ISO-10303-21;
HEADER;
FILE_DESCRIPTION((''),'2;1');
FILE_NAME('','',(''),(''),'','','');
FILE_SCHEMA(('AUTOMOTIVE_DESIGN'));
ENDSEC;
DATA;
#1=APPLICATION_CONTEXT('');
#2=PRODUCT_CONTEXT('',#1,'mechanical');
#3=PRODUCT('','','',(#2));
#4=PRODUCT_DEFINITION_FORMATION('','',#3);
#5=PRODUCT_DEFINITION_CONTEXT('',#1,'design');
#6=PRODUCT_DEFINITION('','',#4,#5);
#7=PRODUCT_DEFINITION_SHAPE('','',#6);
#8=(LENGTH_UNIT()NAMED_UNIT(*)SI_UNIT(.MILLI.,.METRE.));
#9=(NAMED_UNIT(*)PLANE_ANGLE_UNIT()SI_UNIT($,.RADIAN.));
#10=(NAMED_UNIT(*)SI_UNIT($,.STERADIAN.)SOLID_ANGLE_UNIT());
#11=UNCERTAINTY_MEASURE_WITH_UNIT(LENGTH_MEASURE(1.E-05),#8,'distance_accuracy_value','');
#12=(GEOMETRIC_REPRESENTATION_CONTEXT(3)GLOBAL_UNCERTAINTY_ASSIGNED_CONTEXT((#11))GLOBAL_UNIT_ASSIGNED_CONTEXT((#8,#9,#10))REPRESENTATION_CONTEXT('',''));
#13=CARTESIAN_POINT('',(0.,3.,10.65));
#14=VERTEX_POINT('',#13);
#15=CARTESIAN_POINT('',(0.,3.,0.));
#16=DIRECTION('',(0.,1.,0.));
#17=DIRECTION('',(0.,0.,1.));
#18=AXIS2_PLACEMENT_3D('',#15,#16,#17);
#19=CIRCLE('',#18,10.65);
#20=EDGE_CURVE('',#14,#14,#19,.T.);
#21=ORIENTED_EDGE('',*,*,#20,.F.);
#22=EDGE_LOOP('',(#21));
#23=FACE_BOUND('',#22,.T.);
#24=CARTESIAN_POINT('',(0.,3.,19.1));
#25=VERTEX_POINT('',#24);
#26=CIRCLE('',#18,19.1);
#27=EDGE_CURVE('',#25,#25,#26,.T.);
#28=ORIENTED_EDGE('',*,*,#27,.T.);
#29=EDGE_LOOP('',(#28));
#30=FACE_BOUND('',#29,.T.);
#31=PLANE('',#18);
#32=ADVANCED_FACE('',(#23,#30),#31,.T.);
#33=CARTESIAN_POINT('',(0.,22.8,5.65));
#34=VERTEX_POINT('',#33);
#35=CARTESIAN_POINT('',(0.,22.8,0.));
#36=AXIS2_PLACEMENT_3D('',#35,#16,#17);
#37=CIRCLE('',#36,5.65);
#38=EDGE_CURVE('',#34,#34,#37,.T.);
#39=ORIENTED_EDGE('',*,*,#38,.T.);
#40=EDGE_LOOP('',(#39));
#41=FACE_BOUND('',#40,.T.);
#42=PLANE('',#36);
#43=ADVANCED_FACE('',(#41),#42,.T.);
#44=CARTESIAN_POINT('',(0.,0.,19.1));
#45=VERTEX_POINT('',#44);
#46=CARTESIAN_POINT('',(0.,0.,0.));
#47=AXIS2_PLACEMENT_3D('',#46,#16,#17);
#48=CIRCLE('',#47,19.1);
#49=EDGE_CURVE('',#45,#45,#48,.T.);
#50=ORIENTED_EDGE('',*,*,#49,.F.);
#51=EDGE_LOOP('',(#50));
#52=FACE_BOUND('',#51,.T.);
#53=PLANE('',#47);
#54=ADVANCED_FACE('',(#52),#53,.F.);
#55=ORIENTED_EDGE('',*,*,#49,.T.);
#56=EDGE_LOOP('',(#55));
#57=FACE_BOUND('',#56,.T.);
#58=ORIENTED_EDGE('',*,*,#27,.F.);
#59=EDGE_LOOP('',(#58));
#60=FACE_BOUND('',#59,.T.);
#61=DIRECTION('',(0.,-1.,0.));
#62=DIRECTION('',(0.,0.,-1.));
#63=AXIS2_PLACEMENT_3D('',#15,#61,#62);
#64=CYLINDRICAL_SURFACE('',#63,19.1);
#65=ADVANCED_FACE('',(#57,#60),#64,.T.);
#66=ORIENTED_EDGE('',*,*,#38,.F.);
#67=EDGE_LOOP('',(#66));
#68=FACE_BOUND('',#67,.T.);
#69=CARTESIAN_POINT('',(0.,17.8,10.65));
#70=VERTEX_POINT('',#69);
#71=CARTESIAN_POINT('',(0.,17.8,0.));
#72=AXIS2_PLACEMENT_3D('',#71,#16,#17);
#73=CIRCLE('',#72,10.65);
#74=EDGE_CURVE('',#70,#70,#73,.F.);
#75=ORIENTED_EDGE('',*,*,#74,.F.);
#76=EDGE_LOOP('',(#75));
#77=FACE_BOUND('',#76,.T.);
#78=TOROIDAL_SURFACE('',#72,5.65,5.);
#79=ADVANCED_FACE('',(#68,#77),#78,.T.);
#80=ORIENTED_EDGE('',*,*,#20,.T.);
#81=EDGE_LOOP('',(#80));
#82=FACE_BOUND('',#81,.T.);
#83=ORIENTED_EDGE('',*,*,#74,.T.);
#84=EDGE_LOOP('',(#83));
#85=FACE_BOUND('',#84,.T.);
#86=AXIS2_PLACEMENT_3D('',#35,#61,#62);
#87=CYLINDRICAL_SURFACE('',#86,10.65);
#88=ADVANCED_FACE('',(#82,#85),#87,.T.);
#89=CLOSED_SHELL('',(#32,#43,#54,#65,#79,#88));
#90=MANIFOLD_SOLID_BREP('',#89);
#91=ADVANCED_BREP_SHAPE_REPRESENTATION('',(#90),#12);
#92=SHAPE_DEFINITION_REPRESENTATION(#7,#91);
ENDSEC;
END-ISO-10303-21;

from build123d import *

# Parameters (mm, degrees)
SKETCH1_R           = 19.1
SKETCH1_R_2         = 10.65
BOSS_EXTRUDE1_DEPTH = 3
SKETCH1_2_R         = 10.65
BOSS_EXTRUDE2_DEPTH = 22.8
FILLET1_R           = 5


with BuildPart() as part:
    # Sketch1 → Boss-Extrude1 (new body)
    with BuildSketch(Plane(origin=(0, 0, 0), x_dir=(1, 0, 0), z_dir=(0, 1, 0))):
        Circle(SKETCH1_R)
        Circle(SKETCH1_R_2, mode=Mode.SUBTRACT)
    extrude(amount=BOSS_EXTRUDE1_DEPTH)

    # Sketch1<2> → Boss-Extrude2 (add)
    with BuildSketch(Plane(origin=(0, 0, 0), x_dir=(1, 0, 0), z_dir=(0, 1, 0))):
        Circle(SKETCH1_2_R)
    extrude(amount=BOSS_EXTRUDE2_DEPTH)

    # Fillet1
    fillet1_edges = [part.edges().sort_by_distance(p)[0] for p in [
        (-10.65, 22.8, 0),
    ]]
    fillet(fillet1_edges, radius=FILLET1_R)


solid = part.part
